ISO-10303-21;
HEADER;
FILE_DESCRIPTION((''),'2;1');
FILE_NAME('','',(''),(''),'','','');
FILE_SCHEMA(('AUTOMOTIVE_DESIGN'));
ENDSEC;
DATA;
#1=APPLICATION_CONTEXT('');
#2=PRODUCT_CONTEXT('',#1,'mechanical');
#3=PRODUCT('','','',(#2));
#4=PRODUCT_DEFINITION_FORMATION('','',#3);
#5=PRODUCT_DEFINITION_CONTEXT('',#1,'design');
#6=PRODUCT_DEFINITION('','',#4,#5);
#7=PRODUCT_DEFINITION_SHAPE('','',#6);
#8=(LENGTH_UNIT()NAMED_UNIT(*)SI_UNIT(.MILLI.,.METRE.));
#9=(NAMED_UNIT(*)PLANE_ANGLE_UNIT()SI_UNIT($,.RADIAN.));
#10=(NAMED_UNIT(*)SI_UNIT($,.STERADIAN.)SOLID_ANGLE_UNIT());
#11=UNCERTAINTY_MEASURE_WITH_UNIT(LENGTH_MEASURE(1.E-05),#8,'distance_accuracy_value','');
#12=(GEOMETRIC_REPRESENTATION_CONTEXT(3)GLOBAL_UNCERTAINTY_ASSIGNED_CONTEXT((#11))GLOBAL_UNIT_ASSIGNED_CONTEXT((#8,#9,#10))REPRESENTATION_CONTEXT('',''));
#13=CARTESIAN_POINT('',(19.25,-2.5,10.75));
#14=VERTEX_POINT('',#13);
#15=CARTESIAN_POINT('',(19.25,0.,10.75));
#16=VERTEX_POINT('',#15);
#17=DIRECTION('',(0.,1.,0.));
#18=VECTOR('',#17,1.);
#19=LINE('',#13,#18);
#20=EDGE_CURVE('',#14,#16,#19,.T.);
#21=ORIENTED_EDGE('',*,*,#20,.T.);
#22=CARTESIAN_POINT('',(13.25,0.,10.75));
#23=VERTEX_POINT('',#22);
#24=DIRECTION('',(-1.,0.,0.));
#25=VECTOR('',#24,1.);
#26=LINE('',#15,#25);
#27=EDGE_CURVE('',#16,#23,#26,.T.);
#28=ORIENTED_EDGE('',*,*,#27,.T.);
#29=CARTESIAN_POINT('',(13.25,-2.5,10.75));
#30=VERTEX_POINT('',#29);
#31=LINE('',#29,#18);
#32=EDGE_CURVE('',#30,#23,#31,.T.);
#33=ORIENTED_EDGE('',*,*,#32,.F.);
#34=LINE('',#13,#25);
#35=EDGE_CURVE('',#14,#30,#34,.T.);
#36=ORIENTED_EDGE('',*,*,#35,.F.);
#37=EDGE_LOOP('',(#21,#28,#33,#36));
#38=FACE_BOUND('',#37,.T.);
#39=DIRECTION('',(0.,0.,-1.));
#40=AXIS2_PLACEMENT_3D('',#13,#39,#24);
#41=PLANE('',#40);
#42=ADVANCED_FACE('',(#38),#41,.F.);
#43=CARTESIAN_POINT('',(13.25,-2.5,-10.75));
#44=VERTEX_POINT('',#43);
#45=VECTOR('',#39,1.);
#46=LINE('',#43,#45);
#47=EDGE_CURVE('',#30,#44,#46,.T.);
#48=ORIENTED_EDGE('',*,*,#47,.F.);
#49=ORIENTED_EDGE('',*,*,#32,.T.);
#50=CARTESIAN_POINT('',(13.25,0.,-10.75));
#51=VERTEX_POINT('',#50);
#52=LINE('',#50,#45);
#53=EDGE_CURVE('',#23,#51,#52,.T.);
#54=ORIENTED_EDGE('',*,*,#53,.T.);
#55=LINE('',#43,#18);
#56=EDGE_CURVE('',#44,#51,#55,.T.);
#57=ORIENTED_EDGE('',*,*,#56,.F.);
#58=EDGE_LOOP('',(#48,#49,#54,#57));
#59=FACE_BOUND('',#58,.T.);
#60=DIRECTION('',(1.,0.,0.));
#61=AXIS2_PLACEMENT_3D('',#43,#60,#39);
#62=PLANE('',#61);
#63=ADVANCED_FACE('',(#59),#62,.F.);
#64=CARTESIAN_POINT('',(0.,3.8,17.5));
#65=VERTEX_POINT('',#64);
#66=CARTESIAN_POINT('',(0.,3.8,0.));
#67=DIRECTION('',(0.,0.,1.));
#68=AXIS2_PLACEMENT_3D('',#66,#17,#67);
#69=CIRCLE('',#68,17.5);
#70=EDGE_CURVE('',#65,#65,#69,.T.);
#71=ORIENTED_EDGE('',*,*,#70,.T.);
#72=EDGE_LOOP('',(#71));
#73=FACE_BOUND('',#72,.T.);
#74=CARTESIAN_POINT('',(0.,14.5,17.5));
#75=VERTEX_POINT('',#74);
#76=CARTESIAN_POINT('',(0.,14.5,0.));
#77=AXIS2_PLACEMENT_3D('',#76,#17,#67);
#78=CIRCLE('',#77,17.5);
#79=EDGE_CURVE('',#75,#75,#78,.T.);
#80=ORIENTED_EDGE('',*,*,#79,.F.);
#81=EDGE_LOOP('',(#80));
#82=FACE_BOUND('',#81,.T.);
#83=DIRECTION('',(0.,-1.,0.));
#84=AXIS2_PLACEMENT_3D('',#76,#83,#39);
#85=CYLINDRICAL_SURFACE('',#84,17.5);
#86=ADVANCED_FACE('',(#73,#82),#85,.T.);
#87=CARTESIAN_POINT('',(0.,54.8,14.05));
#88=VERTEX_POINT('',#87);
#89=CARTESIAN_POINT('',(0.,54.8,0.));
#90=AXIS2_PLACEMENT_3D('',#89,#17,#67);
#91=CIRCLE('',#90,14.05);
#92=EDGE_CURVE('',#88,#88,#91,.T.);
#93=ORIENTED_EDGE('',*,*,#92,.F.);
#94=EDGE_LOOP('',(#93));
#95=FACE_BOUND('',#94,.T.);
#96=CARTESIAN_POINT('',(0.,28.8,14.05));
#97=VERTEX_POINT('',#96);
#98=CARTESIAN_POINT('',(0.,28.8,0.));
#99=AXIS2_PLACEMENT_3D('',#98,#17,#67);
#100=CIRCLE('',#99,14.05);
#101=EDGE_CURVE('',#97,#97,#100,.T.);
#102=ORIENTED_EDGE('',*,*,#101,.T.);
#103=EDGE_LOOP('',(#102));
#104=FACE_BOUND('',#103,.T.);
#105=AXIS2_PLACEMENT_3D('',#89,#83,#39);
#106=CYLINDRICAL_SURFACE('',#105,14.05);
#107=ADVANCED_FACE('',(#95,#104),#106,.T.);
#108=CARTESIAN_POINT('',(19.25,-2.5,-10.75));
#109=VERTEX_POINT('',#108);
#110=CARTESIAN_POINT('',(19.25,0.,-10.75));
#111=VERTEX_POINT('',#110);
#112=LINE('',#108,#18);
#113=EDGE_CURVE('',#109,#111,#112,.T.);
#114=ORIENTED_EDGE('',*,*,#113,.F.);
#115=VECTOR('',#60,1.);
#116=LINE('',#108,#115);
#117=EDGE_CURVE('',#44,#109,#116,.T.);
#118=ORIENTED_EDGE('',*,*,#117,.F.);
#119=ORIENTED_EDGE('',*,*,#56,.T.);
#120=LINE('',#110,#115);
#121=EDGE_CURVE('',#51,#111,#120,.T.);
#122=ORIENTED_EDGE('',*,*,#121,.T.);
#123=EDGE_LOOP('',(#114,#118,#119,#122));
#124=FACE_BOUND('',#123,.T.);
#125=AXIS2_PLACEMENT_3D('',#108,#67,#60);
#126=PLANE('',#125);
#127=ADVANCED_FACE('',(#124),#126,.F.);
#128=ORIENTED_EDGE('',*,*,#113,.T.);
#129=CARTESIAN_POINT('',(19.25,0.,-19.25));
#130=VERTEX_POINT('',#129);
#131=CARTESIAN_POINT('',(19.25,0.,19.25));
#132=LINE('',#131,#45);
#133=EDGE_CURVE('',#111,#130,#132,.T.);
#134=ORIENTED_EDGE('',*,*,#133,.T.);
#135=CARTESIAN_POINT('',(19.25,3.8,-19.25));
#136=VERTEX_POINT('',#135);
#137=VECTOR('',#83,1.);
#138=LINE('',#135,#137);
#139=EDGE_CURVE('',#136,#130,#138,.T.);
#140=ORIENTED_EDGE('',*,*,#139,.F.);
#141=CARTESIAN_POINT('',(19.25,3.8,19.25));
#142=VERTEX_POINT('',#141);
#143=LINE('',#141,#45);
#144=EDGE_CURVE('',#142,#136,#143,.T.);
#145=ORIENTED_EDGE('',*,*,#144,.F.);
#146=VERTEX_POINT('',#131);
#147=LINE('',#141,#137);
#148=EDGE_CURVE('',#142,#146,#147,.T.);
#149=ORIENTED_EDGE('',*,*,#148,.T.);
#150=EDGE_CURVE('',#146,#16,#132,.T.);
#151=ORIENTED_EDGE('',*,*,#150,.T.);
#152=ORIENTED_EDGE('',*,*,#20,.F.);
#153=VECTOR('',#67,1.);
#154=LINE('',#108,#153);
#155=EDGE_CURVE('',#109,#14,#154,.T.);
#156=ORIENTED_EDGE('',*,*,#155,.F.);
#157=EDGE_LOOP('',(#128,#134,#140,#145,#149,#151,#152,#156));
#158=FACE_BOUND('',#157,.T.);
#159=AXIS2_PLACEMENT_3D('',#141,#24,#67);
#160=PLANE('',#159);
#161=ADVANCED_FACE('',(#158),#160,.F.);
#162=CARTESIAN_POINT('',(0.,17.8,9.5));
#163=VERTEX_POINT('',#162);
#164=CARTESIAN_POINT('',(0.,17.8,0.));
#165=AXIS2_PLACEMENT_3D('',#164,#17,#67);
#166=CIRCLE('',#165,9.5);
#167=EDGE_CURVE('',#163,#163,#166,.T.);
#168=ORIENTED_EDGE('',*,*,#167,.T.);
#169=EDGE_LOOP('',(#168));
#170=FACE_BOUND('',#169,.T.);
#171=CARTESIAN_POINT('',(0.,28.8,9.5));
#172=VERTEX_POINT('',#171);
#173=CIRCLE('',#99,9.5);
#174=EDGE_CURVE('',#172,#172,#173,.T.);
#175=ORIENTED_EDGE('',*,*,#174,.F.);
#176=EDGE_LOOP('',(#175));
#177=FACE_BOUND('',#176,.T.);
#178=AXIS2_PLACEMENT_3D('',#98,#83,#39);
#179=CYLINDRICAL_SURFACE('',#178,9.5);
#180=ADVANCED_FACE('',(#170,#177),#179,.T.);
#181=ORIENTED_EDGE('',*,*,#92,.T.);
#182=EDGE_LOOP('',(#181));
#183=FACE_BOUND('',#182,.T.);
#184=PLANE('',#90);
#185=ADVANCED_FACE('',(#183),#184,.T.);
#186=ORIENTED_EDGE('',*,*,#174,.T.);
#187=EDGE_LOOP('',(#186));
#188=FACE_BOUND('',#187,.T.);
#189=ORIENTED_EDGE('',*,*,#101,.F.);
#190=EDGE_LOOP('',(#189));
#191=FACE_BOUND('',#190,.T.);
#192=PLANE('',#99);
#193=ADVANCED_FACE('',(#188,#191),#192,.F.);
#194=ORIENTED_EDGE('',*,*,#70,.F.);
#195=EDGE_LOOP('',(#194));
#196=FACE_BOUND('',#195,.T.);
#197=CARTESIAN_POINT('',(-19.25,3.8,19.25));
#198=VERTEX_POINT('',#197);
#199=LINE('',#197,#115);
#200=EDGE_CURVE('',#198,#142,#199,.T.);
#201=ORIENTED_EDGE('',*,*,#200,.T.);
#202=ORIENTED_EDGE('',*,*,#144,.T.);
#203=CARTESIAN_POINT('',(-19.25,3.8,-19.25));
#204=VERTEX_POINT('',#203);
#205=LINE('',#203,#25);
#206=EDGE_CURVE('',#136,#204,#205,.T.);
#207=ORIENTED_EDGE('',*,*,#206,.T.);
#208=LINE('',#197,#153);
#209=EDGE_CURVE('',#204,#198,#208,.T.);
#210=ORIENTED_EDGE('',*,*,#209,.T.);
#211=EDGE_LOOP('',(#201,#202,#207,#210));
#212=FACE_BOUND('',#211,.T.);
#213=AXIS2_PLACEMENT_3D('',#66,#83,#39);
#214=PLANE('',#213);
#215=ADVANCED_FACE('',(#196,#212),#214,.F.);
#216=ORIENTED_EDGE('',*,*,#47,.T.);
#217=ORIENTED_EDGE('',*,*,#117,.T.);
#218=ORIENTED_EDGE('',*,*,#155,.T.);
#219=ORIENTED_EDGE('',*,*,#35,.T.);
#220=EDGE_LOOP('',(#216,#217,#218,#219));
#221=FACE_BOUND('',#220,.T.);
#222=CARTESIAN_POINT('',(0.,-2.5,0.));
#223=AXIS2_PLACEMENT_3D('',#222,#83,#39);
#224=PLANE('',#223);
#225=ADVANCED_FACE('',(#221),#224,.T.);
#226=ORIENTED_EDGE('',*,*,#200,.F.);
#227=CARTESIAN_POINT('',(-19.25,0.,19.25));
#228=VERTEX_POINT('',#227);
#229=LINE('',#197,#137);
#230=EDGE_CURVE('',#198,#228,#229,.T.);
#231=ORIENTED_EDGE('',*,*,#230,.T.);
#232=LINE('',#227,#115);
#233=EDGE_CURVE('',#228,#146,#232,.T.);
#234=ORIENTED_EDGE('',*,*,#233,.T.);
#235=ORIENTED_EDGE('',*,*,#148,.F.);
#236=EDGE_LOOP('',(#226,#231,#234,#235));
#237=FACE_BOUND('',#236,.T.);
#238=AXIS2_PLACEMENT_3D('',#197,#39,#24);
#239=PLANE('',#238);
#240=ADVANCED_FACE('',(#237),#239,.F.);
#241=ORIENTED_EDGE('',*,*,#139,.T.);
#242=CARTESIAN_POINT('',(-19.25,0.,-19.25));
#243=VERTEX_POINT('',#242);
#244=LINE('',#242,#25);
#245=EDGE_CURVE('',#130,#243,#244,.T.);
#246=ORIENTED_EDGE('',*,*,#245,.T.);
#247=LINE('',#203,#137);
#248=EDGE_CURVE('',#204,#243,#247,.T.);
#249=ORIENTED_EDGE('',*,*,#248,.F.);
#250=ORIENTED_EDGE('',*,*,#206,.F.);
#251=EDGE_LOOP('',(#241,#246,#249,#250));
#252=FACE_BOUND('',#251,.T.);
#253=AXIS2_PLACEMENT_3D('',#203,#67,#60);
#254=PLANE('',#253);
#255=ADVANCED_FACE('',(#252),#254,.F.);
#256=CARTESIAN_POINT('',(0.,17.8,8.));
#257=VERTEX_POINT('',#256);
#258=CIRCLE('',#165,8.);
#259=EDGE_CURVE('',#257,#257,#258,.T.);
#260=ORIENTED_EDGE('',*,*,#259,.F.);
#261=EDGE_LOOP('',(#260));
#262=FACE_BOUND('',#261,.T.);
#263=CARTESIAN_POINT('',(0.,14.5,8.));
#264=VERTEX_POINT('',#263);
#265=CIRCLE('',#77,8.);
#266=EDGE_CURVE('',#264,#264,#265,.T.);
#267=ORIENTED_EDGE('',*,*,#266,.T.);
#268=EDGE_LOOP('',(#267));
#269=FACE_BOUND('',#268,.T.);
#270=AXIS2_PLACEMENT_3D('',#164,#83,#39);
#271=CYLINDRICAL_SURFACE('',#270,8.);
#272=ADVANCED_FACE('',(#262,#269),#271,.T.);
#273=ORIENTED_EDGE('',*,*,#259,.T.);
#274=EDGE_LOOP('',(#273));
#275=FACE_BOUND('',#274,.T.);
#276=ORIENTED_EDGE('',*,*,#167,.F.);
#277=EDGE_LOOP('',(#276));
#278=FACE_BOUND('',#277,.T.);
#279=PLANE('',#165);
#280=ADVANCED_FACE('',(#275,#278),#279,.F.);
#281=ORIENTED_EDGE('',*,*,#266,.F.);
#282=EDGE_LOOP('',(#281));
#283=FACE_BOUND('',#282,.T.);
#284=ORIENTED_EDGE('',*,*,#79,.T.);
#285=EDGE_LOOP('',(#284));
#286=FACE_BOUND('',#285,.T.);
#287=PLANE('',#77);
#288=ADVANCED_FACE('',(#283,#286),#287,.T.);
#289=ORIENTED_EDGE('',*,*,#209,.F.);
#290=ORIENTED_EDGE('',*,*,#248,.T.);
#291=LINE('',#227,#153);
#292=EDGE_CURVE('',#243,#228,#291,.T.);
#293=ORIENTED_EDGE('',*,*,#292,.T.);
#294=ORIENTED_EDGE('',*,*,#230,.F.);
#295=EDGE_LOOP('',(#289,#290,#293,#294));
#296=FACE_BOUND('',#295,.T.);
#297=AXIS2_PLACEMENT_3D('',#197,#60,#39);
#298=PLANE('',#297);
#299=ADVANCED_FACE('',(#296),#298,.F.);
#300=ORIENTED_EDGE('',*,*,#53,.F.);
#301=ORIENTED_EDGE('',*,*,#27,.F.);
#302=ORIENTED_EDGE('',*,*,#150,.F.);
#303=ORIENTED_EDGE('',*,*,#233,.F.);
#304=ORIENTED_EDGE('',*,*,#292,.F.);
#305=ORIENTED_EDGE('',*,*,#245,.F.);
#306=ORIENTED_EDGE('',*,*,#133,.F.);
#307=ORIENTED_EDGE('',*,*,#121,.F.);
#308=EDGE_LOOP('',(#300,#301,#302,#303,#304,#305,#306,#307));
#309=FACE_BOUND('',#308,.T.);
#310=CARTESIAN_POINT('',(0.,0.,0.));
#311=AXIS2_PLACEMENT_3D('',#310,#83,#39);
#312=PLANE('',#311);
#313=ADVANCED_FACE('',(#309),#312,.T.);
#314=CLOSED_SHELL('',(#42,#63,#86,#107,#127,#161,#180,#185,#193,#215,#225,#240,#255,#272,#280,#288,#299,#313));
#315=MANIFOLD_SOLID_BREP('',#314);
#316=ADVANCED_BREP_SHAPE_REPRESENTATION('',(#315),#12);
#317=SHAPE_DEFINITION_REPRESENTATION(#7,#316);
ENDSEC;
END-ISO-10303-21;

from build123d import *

# Parameters (mm, degrees)
SKETCH1_W           = 38.5
SKETCH1_H           = 38.5
BOSS_EXTRUDE1_DEPTH = 3.8
SKETCH2_R           = 17.5
BOSS_EXTRUDE2_DEPTH = 10.7
SKETCH3_R           = 8
BOSS_EXTRUDE3_DEPTH = 3.3
SKETCH4_R           = 9.5
BOSS_EXTRUDE4_DEPTH = 11
SKETCH5_R           = 14.05
BOSS_EXTRUDE5_DEPTH = 26
SKETCH7_W           = 6
SKETCH7_H           = 21.5
BOSS_EXTRUDE6_DEPTH = 2.5


with BuildPart() as part:
    # Sketch1 → Boss-Extrude1 (new body)
    with BuildSketch(Plane(origin=(0, 0, 0), x_dir=(1, 0, 0), z_dir=(0, 1, 0))):
        Rectangle(SKETCH1_W, SKETCH1_H)
    extrude(amount=BOSS_EXTRUDE1_DEPTH)

    # Sketch2 → Boss-Extrude2 (add)
    with BuildSketch(Plane(origin=(0, 3.8, 0), x_dir=(1, 0, 0), z_dir=(0, 1, 0))):
        Circle(SKETCH2_R)
    extrude(amount=BOSS_EXTRUDE2_DEPTH)

    # Sketch3 → Boss-Extrude3 (add)
    with BuildSketch(Plane(origin=(0, 14.5, 0), x_dir=(1, 0, 0), z_dir=(0, 1, 0))):
        Circle(SKETCH3_R)
    extrude(amount=BOSS_EXTRUDE3_DEPTH)

    # Sketch4 → Boss-Extrude4 (add)
    with BuildSketch(Plane(origin=(0, 17.8, 0), x_dir=(1, 0, 0), z_dir=(0, 1, 0))):
        Circle(SKETCH4_R)
    extrude(amount=BOSS_EXTRUDE4_DEPTH)

    # Sketch5 → Boss-Extrude5 (add)
    with BuildSketch(Plane(origin=(0, 28.8, 0), x_dir=(1, 0, 0), z_dir=(0, 1, 0))):
        Circle(SKETCH5_R)
    extrude(amount=BOSS_EXTRUDE5_DEPTH)

    # Sketch7 → Boss-Extrude6 (add)
    with BuildSketch(Plane.XZ):
        with Locations((16.25, 0)):
            Rectangle(SKETCH7_W, SKETCH7_H)
    extrude(amount=BOSS_EXTRUDE6_DEPTH)


solid = part.part
